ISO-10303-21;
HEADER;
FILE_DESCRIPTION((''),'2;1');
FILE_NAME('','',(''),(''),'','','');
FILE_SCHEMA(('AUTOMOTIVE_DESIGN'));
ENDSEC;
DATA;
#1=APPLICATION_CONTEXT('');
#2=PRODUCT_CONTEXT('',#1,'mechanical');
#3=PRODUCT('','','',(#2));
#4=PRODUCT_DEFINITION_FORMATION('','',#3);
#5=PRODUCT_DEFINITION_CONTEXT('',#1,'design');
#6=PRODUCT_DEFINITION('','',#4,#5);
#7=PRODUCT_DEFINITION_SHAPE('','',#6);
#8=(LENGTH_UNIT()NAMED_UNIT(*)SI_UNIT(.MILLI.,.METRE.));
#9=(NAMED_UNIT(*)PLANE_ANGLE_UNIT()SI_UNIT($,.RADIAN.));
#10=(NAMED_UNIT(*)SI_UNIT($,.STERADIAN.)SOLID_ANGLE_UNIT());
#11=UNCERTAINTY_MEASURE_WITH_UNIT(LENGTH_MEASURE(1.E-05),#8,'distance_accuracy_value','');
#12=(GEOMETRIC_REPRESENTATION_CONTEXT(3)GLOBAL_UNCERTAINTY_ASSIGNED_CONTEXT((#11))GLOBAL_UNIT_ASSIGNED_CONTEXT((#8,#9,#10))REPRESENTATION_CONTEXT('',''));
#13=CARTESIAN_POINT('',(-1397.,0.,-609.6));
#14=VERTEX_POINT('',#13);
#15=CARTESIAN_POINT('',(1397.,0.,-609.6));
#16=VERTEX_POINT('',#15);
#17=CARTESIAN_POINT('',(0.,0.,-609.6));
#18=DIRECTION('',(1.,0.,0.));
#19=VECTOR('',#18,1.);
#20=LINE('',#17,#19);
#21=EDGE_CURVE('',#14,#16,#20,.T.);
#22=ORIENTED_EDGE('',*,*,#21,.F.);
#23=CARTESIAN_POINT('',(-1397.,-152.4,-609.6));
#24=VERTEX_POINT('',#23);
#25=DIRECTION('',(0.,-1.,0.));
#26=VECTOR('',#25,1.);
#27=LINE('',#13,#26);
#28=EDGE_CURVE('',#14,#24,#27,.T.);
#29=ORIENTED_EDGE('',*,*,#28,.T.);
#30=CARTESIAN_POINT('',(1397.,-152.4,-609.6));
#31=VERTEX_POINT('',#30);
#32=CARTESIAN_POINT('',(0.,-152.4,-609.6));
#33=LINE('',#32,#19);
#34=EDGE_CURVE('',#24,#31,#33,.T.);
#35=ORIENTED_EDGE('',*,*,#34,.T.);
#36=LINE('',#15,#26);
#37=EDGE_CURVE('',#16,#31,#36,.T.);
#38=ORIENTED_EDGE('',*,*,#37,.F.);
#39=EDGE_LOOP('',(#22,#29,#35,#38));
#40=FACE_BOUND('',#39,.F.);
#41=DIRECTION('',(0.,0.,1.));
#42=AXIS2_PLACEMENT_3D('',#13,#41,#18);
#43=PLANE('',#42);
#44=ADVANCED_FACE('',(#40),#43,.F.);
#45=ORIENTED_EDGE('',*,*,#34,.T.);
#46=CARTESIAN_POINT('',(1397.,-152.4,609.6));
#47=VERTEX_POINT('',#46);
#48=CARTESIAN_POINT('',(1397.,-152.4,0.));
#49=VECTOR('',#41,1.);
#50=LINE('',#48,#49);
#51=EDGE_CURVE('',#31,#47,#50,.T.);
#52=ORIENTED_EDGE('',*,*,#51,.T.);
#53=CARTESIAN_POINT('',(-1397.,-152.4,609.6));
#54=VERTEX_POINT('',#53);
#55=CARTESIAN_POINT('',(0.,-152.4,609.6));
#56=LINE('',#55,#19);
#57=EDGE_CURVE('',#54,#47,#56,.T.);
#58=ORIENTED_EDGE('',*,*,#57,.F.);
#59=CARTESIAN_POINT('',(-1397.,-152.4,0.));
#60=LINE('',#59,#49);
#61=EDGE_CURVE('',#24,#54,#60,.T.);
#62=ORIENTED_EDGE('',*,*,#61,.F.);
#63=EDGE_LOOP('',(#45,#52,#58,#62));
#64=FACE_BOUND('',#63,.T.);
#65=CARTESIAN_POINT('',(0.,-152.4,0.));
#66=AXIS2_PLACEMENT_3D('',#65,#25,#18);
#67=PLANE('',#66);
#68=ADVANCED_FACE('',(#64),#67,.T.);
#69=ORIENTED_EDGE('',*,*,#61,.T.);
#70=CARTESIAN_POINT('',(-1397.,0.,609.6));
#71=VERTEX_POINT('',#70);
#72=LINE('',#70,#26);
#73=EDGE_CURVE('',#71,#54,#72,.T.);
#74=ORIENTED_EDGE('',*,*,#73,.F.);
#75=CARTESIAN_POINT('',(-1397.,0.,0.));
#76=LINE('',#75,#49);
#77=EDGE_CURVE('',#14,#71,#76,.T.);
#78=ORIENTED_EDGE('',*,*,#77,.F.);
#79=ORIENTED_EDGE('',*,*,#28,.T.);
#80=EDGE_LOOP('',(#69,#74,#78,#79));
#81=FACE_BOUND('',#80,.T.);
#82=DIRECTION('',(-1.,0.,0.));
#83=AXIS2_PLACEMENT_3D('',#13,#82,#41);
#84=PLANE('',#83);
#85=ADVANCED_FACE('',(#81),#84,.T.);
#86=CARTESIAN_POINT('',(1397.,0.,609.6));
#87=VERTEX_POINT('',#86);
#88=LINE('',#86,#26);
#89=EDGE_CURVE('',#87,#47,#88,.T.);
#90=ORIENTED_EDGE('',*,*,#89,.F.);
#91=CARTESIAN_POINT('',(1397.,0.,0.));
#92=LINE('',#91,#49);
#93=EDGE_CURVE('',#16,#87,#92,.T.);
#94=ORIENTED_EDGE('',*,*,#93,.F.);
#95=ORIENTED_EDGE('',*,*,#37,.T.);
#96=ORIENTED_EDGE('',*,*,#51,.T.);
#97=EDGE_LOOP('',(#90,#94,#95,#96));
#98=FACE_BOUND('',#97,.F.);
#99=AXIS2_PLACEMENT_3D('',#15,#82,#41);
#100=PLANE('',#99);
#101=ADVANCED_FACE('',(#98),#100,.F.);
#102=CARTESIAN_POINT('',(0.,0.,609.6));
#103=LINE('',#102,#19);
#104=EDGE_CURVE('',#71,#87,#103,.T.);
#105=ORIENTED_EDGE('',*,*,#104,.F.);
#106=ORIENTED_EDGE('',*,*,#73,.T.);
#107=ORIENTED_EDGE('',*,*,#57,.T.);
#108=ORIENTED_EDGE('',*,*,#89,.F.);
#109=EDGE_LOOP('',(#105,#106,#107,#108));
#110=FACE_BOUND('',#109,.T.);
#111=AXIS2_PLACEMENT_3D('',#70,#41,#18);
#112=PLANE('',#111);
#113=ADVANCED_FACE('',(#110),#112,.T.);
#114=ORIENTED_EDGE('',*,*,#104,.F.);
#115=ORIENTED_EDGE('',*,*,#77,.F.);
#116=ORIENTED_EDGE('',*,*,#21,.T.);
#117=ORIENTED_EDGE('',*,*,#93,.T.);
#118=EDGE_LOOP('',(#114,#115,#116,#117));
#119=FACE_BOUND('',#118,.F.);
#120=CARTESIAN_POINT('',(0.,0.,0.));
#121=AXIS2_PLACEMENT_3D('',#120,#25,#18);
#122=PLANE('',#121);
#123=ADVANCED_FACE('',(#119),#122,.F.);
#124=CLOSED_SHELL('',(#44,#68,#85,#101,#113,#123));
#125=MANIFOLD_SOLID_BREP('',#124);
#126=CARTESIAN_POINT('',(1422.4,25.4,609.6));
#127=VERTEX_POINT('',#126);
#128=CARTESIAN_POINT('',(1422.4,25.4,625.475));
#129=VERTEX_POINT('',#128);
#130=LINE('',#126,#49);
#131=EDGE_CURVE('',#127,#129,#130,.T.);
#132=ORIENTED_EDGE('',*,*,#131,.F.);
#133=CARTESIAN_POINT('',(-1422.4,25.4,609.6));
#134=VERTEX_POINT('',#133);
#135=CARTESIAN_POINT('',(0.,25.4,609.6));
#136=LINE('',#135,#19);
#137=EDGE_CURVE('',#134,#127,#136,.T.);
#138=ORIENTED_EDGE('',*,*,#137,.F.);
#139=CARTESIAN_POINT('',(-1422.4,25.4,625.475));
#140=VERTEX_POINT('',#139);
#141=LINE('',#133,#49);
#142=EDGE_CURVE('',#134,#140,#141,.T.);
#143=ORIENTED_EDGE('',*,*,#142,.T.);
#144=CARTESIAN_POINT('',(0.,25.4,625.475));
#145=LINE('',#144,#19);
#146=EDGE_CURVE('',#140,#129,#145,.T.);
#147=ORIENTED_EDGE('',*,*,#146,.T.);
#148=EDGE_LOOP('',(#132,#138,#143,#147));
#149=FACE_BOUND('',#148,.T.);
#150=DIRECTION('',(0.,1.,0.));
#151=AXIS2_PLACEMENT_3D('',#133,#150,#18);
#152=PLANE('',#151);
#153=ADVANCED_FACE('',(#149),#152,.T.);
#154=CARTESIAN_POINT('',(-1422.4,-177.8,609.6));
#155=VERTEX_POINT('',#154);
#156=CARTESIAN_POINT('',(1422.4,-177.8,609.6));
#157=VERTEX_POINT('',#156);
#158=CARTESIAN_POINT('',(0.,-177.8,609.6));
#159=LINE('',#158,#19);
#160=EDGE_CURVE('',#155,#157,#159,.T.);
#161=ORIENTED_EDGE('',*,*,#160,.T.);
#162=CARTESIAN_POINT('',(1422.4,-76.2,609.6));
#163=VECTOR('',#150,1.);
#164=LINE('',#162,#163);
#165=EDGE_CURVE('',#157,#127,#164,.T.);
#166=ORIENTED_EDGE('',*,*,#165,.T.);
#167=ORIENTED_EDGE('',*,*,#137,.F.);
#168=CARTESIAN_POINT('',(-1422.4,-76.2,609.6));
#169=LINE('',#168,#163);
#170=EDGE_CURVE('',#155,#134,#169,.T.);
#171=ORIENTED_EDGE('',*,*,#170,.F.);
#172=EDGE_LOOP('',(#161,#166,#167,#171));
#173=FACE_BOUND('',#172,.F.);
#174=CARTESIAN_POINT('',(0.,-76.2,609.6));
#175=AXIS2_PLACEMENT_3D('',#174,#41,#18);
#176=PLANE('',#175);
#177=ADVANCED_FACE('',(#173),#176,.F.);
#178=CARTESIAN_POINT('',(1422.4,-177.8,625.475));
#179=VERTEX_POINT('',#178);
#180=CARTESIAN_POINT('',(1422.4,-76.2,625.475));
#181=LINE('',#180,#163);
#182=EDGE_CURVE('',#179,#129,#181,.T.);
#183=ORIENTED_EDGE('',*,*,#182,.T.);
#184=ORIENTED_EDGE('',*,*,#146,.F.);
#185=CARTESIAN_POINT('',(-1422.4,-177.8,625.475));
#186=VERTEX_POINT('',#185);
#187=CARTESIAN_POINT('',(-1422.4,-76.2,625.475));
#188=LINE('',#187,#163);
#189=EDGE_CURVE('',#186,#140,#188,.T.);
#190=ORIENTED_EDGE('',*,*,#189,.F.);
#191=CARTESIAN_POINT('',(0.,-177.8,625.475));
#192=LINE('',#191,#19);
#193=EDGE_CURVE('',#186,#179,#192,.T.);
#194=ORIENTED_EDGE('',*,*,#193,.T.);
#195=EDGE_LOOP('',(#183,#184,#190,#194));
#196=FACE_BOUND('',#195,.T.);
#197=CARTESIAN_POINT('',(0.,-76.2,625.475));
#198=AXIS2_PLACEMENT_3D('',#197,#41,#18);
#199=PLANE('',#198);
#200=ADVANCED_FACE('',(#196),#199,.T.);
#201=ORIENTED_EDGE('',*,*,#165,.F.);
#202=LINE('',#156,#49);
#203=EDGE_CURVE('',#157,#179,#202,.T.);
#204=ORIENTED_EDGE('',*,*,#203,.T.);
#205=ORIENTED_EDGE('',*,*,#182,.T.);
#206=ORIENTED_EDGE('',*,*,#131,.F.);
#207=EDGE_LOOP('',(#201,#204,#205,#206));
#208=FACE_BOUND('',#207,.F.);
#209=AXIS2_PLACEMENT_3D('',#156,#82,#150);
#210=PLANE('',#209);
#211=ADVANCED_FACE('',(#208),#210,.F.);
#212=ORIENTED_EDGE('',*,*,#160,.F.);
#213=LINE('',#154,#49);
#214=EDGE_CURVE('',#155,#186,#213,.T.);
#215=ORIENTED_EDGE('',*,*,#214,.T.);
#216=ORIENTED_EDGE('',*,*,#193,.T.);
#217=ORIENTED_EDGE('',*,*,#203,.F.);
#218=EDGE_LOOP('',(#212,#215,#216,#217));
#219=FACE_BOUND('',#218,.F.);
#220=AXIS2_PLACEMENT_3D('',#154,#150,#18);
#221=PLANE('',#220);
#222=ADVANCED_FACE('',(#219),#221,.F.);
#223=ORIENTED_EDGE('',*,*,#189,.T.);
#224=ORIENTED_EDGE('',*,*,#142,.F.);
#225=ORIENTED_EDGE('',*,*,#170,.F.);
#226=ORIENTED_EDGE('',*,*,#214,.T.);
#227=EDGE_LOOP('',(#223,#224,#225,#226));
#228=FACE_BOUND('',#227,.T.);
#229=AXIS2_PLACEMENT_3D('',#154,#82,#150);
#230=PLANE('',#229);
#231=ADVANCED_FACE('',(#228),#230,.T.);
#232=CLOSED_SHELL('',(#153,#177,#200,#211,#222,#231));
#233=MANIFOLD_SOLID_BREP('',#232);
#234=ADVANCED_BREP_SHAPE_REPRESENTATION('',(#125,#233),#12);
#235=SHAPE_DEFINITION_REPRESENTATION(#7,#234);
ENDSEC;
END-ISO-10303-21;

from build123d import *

# Parameters (mm, degrees)
F0_W     = 2794
F0_H     = 1219.2
F1_DEPTH = 152.4
F2_W     = 2844.8
F2_H     = 203.2
F2_W_2   = 2794
F2_H_2   = 152.4
F3_DEPTH = 15.875


with BuildPart() as f1:
    # F0 (on Front) → F1 (new body)
    with BuildSketch(Plane.XZ):
        Rectangle(F0_W, F0_H)
    extrude(amount=F1_DEPTH)


with BuildPart() as f3:
    # F2 (on face) → F3 (new body)
    with BuildSketch(Plane.XY.offset(609.6)):
        with Locations((0, -76.2)):
            Rectangle(F2_W, F2_H)
        with Locations((0, -76.2)):
            Rectangle(F2_W_2, F2_H_2, mode=Mode.SUBTRACT)
        with Locations((0, -76.2)):
            Rectangle(F2_W_2, F2_H_2)
    extrude(amount=F3_DEPTH)


solid = Compound([f1.part, f3.part])
